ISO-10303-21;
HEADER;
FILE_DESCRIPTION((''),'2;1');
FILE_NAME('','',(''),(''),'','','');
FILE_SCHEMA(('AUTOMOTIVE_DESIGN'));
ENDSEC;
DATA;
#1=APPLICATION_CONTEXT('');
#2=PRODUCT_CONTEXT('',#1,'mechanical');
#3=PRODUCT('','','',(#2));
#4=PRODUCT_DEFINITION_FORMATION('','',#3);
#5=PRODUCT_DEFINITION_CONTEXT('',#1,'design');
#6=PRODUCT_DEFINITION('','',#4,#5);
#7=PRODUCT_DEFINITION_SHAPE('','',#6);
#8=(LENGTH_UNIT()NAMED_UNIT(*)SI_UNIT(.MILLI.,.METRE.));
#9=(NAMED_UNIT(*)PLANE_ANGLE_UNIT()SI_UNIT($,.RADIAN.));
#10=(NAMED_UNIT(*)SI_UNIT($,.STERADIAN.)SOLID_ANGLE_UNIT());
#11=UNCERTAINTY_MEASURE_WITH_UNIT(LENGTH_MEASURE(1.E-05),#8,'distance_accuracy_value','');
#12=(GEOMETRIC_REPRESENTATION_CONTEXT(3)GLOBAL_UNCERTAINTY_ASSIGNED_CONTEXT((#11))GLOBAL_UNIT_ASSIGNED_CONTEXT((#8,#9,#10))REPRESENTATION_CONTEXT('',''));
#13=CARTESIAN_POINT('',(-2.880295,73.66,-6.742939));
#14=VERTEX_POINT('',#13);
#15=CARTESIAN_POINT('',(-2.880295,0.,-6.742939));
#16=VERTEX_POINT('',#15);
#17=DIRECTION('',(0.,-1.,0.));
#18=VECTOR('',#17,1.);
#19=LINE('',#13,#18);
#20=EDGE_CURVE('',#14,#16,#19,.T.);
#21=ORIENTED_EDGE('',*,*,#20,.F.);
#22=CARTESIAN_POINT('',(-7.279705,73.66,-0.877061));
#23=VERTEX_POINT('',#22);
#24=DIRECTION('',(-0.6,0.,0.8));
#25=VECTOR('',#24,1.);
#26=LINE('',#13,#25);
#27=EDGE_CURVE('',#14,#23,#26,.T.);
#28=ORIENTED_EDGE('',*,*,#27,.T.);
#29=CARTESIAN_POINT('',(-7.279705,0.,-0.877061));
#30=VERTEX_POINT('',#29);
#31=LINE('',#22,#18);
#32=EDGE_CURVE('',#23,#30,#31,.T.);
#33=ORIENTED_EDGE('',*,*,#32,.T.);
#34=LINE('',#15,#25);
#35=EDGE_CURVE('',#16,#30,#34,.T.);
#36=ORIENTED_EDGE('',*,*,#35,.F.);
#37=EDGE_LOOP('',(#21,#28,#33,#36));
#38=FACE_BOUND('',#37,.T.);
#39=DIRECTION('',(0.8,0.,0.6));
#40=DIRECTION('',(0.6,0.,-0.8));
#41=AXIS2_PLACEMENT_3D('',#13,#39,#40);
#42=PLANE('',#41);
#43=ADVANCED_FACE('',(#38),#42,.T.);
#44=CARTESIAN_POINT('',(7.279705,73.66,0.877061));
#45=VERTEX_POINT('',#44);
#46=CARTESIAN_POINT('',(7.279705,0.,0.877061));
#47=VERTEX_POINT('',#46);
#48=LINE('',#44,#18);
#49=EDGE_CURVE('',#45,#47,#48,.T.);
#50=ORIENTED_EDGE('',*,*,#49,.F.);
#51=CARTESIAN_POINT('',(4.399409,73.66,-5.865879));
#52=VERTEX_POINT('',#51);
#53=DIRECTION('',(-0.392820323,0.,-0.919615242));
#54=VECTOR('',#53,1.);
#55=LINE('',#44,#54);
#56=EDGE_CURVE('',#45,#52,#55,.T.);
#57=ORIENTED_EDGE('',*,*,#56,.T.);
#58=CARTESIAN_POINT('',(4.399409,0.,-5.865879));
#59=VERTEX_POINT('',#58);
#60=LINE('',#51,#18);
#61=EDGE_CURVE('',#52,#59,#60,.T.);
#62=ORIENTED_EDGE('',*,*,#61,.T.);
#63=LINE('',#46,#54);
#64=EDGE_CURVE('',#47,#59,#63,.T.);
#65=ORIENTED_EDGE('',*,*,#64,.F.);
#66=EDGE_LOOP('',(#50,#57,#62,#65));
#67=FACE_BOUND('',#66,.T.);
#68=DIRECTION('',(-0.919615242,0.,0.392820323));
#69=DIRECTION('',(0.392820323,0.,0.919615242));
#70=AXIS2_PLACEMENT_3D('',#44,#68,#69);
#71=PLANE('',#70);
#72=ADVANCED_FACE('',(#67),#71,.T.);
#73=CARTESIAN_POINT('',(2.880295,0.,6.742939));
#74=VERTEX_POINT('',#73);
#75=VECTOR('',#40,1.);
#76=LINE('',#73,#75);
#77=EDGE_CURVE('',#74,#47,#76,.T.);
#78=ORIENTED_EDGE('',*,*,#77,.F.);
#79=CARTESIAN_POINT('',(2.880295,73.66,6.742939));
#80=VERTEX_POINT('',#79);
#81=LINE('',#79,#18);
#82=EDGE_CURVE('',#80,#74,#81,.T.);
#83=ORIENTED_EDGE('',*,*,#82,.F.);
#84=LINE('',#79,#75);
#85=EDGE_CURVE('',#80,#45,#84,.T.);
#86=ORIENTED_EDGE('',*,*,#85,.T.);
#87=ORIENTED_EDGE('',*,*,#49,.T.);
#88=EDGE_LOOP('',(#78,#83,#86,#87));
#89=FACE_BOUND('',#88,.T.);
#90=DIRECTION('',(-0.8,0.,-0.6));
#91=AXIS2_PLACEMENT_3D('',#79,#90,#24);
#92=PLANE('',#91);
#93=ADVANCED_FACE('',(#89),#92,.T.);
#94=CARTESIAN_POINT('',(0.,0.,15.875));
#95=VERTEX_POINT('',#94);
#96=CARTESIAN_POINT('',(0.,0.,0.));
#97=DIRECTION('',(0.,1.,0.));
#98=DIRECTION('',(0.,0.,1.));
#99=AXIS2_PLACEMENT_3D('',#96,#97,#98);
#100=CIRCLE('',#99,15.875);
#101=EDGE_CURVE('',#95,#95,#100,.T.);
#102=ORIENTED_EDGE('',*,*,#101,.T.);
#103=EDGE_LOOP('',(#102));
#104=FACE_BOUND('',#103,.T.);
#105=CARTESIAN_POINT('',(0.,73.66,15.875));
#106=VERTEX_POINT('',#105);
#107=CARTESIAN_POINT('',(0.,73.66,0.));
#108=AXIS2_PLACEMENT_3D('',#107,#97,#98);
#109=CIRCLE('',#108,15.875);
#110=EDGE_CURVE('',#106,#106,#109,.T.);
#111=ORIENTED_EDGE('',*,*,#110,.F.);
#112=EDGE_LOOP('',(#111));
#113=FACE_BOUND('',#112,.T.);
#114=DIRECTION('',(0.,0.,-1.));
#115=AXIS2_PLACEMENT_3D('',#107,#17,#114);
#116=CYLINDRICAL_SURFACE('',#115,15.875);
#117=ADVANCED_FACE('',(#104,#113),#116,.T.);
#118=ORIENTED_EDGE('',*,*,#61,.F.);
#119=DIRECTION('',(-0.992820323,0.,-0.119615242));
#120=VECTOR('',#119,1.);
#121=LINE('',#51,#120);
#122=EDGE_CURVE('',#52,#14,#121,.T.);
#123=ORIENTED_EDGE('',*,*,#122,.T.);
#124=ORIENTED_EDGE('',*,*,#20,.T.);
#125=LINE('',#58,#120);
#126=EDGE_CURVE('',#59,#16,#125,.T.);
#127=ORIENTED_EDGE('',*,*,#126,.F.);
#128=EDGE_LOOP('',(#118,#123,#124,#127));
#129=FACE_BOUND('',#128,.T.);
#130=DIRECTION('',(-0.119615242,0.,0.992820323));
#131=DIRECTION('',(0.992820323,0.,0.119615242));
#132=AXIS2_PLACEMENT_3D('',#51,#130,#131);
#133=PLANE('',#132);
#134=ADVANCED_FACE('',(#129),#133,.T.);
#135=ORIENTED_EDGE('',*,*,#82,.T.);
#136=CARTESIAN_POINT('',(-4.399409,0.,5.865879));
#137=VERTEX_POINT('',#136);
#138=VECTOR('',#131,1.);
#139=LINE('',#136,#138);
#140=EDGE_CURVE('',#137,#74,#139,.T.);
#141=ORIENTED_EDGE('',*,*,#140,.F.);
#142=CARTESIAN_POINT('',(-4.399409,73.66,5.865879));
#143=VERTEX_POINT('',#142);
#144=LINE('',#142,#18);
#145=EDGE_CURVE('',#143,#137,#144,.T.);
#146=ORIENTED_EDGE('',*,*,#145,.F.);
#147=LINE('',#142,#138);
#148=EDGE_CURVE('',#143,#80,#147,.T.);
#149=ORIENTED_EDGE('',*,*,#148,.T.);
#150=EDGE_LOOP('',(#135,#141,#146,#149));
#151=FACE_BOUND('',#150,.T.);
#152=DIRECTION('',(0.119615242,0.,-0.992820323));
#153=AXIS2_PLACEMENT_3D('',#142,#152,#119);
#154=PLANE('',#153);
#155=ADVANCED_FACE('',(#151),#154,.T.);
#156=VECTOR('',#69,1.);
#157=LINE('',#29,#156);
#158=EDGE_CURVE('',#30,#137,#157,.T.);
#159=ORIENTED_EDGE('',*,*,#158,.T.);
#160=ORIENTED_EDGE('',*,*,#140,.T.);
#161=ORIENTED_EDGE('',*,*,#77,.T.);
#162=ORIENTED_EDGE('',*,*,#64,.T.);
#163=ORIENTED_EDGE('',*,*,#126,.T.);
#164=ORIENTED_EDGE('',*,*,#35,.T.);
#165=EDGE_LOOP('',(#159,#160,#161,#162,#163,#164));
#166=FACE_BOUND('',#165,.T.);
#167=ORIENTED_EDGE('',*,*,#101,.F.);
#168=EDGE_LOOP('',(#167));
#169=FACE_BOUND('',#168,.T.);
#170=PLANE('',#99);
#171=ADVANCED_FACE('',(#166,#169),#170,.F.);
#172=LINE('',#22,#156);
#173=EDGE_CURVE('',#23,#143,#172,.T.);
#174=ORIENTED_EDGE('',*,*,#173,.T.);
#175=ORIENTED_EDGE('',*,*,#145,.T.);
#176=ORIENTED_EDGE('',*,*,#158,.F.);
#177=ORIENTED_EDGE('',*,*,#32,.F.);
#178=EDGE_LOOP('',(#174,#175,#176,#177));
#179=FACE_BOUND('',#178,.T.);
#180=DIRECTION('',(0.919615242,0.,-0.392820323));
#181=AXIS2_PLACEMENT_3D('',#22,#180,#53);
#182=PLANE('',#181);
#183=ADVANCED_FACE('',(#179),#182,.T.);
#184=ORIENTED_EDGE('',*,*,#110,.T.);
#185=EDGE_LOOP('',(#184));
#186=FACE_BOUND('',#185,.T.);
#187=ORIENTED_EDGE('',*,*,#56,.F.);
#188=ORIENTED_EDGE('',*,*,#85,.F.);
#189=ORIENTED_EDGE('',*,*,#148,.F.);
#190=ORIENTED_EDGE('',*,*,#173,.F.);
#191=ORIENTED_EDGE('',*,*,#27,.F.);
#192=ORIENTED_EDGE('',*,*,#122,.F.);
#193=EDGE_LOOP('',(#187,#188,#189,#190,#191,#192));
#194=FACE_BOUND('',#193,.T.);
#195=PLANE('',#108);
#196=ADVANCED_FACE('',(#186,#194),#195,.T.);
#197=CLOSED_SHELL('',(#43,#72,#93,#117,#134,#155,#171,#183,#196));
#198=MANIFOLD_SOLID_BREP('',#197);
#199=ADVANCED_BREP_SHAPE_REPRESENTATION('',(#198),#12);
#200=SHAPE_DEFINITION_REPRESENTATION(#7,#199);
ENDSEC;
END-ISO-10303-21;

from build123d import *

# Parameters (mm, degrees)
SKETCH1_R           = 15.875
BOSS_EXTRUDE1_DEPTH = 73.66


with BuildPart() as part:
    # Sketch1 → Boss-Extrude1 (new body)
    with BuildSketch(Plane(origin=(0, 0, 0), x_dir=(1, 0, 0), z_dir=(0, 1, 0))):
        Circle(SKETCH1_R)
        Polygon((4.399409051, 5.865878735), (-2.880295474, 6.742939367), (-7.279704526, 0.877060633), (-4.399409051, -5.865878735), (2.880295474, -6.742939367), (7.279704526, -0.877060633), align=None, mode=Mode.SUBTRACT)
    extrude(amount=BOSS_EXTRUDE1_DEPTH)


solid = part.part
